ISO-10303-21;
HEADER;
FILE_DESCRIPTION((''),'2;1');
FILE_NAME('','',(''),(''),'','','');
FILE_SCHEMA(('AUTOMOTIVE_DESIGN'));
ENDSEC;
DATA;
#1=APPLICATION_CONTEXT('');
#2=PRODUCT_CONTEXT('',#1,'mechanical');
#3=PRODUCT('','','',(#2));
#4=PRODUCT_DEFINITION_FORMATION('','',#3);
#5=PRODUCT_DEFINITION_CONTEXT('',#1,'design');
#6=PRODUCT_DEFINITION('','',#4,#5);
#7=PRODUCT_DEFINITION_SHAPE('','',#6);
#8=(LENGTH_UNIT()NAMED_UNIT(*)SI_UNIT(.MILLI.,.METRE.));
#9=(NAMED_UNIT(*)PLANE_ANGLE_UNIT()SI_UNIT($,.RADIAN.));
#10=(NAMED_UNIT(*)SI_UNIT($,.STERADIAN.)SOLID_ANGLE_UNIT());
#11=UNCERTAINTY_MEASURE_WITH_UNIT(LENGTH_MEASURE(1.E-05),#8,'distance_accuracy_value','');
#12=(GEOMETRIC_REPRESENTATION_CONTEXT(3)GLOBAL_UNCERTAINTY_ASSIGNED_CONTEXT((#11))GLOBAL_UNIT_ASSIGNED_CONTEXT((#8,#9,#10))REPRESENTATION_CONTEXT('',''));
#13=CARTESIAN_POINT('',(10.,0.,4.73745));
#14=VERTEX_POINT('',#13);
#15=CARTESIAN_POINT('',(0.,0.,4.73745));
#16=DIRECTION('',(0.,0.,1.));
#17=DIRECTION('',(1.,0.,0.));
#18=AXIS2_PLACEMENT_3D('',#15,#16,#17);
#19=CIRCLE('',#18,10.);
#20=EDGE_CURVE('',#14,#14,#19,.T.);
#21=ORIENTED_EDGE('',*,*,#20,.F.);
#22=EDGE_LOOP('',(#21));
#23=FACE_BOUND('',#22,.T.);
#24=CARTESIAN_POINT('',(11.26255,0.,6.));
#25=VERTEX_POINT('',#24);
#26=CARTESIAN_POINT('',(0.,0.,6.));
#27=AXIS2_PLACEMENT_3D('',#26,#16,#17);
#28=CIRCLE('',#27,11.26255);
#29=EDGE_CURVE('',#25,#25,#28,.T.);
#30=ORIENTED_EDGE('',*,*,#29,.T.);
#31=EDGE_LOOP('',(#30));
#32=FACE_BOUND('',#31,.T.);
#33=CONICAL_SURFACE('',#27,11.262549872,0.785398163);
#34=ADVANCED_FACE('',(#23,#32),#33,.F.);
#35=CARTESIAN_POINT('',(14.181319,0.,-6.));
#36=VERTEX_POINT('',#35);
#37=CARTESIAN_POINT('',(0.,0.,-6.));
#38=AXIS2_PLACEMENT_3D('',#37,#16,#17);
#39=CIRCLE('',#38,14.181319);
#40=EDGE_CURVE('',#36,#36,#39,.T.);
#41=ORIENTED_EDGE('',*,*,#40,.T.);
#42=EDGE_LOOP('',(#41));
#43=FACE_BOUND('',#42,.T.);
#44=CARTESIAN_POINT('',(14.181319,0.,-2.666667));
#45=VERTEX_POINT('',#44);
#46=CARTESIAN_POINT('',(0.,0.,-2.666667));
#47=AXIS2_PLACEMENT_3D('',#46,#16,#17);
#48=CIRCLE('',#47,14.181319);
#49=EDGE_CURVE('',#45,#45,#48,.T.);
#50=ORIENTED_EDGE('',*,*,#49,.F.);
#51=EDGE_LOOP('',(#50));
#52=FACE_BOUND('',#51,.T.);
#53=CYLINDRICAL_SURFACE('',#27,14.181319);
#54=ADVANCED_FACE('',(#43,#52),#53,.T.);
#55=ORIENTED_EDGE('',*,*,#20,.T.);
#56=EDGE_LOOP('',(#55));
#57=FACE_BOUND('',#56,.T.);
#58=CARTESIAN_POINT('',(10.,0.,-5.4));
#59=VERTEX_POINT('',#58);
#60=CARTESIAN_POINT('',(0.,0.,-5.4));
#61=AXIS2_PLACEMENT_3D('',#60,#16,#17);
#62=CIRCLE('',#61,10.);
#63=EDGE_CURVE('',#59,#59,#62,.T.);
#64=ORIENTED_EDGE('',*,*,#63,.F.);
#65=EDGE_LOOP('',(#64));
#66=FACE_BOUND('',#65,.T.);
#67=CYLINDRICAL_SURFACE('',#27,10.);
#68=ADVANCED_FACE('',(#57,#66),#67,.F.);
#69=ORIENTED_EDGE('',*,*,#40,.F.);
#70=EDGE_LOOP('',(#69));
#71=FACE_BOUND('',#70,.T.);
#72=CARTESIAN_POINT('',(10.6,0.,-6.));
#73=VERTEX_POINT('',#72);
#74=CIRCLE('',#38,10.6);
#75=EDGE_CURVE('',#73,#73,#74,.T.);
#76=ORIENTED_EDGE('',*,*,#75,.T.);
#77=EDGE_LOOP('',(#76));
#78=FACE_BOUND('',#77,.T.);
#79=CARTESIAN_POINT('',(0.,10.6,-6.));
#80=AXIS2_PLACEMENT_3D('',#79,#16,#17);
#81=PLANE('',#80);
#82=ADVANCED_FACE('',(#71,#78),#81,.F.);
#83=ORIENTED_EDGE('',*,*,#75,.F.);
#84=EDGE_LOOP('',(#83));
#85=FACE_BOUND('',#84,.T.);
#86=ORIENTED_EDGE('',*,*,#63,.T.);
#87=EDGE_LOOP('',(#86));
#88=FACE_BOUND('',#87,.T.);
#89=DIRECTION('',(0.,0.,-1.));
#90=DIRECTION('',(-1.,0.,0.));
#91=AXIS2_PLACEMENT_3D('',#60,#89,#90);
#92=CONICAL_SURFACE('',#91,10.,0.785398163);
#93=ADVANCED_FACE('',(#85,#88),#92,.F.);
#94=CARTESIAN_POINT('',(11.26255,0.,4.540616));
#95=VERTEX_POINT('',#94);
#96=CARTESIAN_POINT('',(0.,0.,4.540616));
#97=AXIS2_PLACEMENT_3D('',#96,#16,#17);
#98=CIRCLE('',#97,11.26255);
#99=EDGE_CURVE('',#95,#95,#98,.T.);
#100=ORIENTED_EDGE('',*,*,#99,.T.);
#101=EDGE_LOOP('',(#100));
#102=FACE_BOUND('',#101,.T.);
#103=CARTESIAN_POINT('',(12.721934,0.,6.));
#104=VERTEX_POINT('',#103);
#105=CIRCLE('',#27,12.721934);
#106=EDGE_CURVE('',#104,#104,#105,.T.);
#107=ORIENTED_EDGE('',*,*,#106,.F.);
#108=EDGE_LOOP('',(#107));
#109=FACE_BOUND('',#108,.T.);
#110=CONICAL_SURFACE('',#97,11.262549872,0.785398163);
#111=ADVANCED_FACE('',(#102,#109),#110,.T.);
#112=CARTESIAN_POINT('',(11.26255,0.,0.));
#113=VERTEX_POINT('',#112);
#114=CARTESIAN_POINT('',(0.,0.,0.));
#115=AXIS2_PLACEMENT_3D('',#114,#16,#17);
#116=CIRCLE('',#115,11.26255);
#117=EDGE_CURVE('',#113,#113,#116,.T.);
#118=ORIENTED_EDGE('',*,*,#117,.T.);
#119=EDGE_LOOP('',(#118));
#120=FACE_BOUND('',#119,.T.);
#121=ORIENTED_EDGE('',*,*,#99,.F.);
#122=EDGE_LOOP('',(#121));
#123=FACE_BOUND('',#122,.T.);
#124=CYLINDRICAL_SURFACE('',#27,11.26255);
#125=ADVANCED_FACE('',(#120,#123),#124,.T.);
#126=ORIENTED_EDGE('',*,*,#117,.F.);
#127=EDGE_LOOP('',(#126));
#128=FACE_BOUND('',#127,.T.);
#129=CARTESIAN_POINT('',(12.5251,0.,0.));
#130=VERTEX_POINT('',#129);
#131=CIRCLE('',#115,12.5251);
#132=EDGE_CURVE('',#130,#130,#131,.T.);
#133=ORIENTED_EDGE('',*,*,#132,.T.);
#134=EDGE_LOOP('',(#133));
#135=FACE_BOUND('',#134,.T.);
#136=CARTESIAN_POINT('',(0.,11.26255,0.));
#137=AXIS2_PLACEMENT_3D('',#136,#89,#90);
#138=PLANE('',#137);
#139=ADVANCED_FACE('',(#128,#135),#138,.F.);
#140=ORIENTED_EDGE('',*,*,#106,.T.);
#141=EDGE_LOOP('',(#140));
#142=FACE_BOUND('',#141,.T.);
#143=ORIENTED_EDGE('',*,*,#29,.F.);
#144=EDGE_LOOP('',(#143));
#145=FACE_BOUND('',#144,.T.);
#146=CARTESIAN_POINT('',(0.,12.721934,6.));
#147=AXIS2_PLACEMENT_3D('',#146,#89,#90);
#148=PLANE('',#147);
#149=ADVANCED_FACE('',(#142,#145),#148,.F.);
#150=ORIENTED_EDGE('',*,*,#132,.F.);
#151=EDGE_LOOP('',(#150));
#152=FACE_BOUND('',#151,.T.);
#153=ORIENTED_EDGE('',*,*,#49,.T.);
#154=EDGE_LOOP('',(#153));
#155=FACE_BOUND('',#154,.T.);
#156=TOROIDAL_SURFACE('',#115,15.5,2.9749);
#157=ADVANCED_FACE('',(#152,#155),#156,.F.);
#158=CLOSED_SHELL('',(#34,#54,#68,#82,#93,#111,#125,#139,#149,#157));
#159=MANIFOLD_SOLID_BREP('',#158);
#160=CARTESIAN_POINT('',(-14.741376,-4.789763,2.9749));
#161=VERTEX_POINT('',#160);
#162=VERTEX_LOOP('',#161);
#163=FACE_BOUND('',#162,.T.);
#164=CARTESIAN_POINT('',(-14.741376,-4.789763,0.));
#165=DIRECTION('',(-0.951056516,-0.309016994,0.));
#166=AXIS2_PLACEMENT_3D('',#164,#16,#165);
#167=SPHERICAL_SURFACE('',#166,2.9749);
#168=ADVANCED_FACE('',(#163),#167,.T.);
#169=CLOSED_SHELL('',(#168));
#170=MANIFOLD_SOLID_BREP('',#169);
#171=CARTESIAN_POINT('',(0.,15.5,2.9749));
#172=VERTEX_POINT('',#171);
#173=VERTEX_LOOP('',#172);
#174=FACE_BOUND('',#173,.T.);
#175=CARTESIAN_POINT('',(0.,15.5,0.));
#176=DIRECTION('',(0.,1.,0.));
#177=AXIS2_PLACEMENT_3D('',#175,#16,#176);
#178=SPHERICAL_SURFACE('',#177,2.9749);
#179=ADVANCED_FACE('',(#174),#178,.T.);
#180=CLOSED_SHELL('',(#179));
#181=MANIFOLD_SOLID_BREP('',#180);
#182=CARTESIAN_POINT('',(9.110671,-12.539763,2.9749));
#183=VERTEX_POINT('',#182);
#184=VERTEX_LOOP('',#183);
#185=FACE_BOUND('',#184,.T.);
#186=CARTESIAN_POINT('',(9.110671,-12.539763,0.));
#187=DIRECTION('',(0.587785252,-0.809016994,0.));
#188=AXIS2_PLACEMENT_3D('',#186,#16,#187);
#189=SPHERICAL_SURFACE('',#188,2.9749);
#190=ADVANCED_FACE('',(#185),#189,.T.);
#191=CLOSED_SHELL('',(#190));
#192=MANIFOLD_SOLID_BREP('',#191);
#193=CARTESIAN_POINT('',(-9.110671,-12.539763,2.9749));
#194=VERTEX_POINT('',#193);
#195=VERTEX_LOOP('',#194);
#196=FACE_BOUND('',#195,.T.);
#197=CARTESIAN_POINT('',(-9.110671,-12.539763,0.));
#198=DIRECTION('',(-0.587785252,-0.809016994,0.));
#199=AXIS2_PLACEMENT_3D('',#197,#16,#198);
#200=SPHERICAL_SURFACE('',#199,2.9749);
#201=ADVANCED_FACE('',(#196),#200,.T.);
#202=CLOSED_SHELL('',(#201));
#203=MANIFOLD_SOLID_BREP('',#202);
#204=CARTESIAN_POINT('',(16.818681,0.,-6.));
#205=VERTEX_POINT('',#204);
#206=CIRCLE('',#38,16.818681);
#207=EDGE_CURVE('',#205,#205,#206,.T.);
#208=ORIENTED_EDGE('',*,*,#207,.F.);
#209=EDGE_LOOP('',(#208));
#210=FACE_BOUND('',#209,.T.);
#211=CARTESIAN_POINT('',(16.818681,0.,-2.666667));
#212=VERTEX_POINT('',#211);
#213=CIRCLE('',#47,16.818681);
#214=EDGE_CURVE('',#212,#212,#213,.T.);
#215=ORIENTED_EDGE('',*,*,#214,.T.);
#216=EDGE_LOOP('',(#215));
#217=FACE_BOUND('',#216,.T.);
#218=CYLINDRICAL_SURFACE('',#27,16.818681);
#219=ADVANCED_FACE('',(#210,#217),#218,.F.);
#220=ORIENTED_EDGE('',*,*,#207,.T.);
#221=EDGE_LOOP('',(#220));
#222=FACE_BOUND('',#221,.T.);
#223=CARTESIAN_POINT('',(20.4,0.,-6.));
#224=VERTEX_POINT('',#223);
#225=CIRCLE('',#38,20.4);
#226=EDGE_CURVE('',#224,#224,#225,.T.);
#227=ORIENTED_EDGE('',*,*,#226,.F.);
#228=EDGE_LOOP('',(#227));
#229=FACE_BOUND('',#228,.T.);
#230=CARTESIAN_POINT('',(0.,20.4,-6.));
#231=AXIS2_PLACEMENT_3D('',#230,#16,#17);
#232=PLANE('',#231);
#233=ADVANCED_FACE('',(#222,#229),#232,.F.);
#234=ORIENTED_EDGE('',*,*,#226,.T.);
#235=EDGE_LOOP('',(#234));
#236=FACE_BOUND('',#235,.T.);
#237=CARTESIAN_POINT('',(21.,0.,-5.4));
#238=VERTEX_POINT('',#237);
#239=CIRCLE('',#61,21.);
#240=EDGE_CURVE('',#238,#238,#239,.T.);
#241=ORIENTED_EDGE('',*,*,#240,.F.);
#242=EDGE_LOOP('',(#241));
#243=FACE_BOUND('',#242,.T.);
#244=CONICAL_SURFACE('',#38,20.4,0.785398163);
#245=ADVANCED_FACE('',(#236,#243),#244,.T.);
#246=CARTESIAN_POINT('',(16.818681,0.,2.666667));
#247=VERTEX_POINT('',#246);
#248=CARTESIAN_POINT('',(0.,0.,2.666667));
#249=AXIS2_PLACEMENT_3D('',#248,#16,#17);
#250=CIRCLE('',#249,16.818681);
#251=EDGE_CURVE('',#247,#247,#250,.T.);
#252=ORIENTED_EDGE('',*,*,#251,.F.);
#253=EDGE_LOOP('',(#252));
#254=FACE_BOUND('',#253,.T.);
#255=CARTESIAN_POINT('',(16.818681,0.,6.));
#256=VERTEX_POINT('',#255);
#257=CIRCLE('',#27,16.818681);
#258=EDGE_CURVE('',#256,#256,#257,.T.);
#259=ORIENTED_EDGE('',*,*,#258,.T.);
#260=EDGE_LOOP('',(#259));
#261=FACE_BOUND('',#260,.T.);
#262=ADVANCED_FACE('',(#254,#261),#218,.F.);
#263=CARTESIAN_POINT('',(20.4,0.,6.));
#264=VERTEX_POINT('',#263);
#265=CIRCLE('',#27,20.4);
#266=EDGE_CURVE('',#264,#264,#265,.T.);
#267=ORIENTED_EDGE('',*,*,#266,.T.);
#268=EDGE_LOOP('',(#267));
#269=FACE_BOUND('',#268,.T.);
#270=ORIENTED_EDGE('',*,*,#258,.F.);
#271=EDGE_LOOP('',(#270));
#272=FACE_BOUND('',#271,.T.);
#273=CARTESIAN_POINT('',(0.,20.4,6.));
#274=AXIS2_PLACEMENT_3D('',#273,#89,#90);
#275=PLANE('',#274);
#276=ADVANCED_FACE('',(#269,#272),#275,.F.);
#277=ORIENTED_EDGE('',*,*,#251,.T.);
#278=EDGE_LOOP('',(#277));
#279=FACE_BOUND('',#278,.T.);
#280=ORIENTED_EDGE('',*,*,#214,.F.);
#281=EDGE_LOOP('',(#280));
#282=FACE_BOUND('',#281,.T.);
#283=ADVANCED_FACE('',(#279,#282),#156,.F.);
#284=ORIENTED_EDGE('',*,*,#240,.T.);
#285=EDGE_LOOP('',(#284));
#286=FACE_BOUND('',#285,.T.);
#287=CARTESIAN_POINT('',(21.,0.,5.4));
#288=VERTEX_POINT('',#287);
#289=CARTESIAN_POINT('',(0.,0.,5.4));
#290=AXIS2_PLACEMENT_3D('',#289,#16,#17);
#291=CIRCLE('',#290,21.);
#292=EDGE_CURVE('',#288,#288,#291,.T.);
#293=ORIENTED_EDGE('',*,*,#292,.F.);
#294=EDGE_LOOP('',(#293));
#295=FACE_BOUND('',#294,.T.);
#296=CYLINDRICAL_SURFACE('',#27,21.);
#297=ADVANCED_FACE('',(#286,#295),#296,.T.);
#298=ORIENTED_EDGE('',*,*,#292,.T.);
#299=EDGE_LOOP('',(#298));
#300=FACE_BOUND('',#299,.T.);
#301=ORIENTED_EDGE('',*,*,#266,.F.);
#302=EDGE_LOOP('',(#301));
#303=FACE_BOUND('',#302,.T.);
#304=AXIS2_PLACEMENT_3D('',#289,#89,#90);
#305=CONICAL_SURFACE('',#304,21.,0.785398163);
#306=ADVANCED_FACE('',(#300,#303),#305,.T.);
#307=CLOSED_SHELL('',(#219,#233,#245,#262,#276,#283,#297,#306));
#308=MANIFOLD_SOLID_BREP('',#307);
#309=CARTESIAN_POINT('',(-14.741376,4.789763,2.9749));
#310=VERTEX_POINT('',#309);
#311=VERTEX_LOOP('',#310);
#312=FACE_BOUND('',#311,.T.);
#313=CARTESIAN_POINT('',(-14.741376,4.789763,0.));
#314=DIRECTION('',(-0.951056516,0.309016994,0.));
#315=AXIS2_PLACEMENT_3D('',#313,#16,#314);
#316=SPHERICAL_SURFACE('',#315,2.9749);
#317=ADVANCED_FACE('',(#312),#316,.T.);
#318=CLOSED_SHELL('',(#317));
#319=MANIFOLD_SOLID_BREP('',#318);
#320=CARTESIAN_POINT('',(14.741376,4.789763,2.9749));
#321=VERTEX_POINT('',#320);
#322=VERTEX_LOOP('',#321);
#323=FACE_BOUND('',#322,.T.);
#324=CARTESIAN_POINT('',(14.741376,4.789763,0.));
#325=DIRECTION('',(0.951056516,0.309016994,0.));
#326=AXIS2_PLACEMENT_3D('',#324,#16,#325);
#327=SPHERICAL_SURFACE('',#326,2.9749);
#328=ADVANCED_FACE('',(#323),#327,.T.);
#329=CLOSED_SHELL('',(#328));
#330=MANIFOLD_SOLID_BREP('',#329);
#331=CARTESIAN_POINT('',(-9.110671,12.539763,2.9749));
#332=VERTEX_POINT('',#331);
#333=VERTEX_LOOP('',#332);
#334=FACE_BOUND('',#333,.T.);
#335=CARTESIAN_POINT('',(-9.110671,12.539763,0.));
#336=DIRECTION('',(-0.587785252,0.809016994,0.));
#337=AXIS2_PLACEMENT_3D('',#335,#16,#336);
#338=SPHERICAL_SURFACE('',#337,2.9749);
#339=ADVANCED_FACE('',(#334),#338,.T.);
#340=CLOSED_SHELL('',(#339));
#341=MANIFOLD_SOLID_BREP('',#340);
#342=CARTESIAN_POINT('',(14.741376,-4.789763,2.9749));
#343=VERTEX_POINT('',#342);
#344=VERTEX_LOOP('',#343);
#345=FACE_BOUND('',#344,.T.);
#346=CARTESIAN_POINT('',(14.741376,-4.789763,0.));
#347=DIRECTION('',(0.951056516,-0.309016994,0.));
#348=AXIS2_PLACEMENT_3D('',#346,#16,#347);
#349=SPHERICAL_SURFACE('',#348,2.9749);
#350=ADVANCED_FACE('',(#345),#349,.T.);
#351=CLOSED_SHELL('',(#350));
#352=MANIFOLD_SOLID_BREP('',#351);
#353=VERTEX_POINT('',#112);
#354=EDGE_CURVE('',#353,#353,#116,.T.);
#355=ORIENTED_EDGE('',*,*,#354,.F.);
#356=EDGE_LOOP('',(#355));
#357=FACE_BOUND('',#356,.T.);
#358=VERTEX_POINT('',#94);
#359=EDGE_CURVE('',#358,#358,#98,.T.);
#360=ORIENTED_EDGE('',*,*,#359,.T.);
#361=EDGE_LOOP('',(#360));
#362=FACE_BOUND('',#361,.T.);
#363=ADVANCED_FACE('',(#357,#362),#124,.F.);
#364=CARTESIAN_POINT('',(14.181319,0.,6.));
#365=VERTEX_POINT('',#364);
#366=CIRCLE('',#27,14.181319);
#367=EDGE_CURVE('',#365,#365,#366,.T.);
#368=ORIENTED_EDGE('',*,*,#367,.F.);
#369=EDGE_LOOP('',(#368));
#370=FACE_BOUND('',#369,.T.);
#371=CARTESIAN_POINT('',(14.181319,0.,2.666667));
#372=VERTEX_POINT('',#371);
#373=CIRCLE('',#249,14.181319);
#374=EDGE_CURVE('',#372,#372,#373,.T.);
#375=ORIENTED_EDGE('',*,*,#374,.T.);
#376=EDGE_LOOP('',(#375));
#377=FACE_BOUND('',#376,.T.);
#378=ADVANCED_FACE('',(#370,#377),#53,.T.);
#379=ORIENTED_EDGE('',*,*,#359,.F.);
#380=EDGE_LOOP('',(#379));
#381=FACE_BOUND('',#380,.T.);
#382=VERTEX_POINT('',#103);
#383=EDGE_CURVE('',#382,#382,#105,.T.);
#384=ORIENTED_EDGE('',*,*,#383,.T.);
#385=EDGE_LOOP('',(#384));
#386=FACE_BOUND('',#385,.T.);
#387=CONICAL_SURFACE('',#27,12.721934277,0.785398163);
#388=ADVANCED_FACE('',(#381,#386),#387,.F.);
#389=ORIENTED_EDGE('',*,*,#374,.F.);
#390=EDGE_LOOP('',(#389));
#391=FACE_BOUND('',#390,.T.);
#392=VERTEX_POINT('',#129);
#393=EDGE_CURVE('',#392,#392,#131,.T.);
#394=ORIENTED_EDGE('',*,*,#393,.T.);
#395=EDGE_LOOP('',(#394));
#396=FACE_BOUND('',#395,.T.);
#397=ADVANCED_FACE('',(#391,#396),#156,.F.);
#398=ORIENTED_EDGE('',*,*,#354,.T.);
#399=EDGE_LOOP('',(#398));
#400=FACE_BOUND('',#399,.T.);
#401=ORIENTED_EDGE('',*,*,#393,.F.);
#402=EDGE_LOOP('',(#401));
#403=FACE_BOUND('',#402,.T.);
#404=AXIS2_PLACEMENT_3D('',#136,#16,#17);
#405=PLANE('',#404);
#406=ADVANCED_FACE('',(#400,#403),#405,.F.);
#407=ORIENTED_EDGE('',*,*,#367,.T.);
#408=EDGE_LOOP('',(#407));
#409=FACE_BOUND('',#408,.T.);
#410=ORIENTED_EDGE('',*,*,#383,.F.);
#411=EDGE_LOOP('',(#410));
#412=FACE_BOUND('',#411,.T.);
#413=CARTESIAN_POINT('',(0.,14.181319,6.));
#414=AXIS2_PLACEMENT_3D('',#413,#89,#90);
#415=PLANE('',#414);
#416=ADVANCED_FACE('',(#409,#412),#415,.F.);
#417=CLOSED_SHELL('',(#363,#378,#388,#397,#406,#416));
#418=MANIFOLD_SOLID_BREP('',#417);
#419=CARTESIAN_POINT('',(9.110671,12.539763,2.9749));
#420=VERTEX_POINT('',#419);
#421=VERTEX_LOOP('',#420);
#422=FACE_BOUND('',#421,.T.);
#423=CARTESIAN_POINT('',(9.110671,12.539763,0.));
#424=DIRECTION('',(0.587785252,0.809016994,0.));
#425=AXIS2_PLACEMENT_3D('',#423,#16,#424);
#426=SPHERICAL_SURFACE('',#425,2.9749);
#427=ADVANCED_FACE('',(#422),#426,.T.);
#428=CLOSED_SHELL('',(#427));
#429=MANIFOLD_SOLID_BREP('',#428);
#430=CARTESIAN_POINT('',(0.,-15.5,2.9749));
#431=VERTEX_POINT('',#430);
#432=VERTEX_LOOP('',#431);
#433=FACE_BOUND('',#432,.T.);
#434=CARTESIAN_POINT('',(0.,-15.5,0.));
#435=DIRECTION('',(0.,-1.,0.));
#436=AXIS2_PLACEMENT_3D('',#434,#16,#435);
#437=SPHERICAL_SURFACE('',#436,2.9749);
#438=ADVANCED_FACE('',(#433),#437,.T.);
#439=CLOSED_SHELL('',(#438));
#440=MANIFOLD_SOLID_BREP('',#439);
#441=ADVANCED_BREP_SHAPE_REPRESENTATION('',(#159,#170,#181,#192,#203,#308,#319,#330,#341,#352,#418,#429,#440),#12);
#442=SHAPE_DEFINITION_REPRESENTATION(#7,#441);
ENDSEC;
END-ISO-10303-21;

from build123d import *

# Parameters (mm, degrees)
CIRPATTERN1_COUNT = 10


with BuildPart() as part:
    # Sketch1 → Revolve1 (revolve)
    with BuildSketch(Plane(origin=(0, 0, 0), x_dir=(0, 0, -1), z_dir=(1, 0, 0))):
        with BuildLine():
            Line((5.4, 21), (-5.4, 21))
            Line((-5.4, 21), (-6, 20.4))
            Line((-6, 20.4), (-6, 16.818681319))
            Line((-6, 16.818681319), (-2.666666667, 16.818681319))
            ThreePointArc((-2.666666667, 16.818681319), (0, 18.474900256), (2.666666667, 16.818681319))
            Line((2.666666667, 16.818681319), (6, 16.818681319))
            Line((6, 16.818681319), (6, 20.4))
            Line((6, 20.4), (5.4, 21))
        make_face()
    revolve(axis=Axis((0, 0, 6), (0, 0, -1)))


with BuildPart() as body_2:
    # Sketch2 → Revolve2 (revolve)
    with BuildSketch(Plane(origin=(0, 0, 0), x_dir=(0, 0, -1), z_dir=(1, 0, 0))):
        with BuildLine():
            Line((-6, 14.181318681), (-2.666666667, 14.181318681))
            ThreePointArc((-2.666666667, 14.181318681), (-1.569567797, 12.972849735), (0, 12.525099744))
            Line((0, 12.525099744), (0, 11.262549872))
            Line((0, 11.262549872), (-4.540615595, 11.262549872))
            Line((-4.540615595, 11.262549872), (-6, 12.721934277))
            Line((-6, 12.721934277), (-6, 14.181318681))
        make_face()
    revolve(axis=Axis((0, 0, 6), (0, 0, -1)))


with BuildPart() as body_3:
    # Sketch3 → Revolve3 (revolve)
    with BuildSketch(Plane(origin=(0, 0, 0), x_dir=(0, 0, -1), z_dir=(1, 0, 0))):
        with BuildLine():
            Line((-6, 12.721934277), (-4.540615595, 11.262549872))
            Line((-4.540615595, 11.262549872), (0, 11.262549872))
            Line((0, 11.262549872), (0, 12.525099744))
            ThreePointArc((0, 12.525099744), (1.569567797, 12.972849735), (2.666666667, 14.181318681))
            Line((2.666666667, 14.181318681), (6, 14.181318681))
            Line((6, 14.181318681), (6, 10.6))
            Line((6, 10.6), (5.4, 10))
            Line((5.4, 10), (-4.737450128, 10))
            Line((-4.737450128, 10), (-6, 11.262549872))
            Line((-6, 11.262549872), (-6, 12.721934277))
        make_face()
    revolve(axis=Axis((0, 0, 6), (0, 0, -1)))


with BuildPart() as body_4:
    # Sketch4 → Revolve4 (revolve)
    with BuildSketch(Plane(origin=(0, 0, 0), x_dir=(0, 0, -1), z_dir=(1, 0, 0))):
        with BuildLine():
            Line((-2.974900256, 15.5), (2.974900256, 15.5))
            ThreePointArc((2.974900256, 15.5), (0, 18.474900256), (-2.974900256, 15.5))
        make_face()
    revolve(axis=Axis((0, 15.5, 2.974900256), (0, 0, -1)))


with BuildPart() as cirpattern1_1:
    # CirPattern1: pattern copy
    add(body_4.part.rotate(Axis((0, 0, -6), (0, 0, 1)), 1 * 360 / CIRPATTERN1_COUNT))


with BuildPart() as cirpattern1_2:
    # CirPattern1: pattern copy
    add(body_4.part.rotate(Axis((0, 0, -6), (0, 0, 1)), 2 * 360 / CIRPATTERN1_COUNT))


with BuildPart() as cirpattern1_3:
    # CirPattern1: pattern copy
    add(body_4.part.rotate(Axis((0, 0, -6), (0, 0, 1)), 3 * 360 / CIRPATTERN1_COUNT))


with BuildPart() as cirpattern1_4:
    # CirPattern1: pattern copy
    add(body_4.part.rotate(Axis((0, 0, -6), (0, 0, 1)), 4 * 360 / CIRPATTERN1_COUNT))


with BuildPart() as cirpattern1_5:
    # CirPattern1: pattern copy
    add(body_4.part.rotate(Axis((0, 0, -6), (0, 0, 1)), 5 * 360 / CIRPATTERN1_COUNT))


with BuildPart() as cirpattern1_6:
    # CirPattern1: pattern copy
    add(body_4.part.rotate(Axis((0, 0, -6), (0, 0, 1)), 6 * 360 / CIRPATTERN1_COUNT))


with BuildPart() as cirpattern1_7:
    # CirPattern1: pattern copy
    add(body_4.part.rotate(Axis((0, 0, -6), (0, 0, 1)), 7 * 360 / CIRPATTERN1_COUNT))


with BuildPart() as cirpattern1_8:
    # CirPattern1: pattern copy
    add(body_4.part.rotate(Axis((0, 0, -6), (0, 0, 1)), 8 * 360 / CIRPATTERN1_COUNT))


with BuildPart() as cirpattern1_9:
    # CirPattern1: pattern copy
    add(body_4.part.rotate(Axis((0, 0, -6), (0, 0, 1)), 9 * 360 / CIRPATTERN1_COUNT))


solid = Compound([part.part, body_2.part, body_3.part, body_4.part, cirpattern1_1.part, cirpattern1_2.part, cirpattern1_3.part, cirpattern1_4.part, cirpattern1_5.part, cirpattern1_6.part, cirpattern1_7.part, cirpattern1_8.part, cirpattern1_9.part])
